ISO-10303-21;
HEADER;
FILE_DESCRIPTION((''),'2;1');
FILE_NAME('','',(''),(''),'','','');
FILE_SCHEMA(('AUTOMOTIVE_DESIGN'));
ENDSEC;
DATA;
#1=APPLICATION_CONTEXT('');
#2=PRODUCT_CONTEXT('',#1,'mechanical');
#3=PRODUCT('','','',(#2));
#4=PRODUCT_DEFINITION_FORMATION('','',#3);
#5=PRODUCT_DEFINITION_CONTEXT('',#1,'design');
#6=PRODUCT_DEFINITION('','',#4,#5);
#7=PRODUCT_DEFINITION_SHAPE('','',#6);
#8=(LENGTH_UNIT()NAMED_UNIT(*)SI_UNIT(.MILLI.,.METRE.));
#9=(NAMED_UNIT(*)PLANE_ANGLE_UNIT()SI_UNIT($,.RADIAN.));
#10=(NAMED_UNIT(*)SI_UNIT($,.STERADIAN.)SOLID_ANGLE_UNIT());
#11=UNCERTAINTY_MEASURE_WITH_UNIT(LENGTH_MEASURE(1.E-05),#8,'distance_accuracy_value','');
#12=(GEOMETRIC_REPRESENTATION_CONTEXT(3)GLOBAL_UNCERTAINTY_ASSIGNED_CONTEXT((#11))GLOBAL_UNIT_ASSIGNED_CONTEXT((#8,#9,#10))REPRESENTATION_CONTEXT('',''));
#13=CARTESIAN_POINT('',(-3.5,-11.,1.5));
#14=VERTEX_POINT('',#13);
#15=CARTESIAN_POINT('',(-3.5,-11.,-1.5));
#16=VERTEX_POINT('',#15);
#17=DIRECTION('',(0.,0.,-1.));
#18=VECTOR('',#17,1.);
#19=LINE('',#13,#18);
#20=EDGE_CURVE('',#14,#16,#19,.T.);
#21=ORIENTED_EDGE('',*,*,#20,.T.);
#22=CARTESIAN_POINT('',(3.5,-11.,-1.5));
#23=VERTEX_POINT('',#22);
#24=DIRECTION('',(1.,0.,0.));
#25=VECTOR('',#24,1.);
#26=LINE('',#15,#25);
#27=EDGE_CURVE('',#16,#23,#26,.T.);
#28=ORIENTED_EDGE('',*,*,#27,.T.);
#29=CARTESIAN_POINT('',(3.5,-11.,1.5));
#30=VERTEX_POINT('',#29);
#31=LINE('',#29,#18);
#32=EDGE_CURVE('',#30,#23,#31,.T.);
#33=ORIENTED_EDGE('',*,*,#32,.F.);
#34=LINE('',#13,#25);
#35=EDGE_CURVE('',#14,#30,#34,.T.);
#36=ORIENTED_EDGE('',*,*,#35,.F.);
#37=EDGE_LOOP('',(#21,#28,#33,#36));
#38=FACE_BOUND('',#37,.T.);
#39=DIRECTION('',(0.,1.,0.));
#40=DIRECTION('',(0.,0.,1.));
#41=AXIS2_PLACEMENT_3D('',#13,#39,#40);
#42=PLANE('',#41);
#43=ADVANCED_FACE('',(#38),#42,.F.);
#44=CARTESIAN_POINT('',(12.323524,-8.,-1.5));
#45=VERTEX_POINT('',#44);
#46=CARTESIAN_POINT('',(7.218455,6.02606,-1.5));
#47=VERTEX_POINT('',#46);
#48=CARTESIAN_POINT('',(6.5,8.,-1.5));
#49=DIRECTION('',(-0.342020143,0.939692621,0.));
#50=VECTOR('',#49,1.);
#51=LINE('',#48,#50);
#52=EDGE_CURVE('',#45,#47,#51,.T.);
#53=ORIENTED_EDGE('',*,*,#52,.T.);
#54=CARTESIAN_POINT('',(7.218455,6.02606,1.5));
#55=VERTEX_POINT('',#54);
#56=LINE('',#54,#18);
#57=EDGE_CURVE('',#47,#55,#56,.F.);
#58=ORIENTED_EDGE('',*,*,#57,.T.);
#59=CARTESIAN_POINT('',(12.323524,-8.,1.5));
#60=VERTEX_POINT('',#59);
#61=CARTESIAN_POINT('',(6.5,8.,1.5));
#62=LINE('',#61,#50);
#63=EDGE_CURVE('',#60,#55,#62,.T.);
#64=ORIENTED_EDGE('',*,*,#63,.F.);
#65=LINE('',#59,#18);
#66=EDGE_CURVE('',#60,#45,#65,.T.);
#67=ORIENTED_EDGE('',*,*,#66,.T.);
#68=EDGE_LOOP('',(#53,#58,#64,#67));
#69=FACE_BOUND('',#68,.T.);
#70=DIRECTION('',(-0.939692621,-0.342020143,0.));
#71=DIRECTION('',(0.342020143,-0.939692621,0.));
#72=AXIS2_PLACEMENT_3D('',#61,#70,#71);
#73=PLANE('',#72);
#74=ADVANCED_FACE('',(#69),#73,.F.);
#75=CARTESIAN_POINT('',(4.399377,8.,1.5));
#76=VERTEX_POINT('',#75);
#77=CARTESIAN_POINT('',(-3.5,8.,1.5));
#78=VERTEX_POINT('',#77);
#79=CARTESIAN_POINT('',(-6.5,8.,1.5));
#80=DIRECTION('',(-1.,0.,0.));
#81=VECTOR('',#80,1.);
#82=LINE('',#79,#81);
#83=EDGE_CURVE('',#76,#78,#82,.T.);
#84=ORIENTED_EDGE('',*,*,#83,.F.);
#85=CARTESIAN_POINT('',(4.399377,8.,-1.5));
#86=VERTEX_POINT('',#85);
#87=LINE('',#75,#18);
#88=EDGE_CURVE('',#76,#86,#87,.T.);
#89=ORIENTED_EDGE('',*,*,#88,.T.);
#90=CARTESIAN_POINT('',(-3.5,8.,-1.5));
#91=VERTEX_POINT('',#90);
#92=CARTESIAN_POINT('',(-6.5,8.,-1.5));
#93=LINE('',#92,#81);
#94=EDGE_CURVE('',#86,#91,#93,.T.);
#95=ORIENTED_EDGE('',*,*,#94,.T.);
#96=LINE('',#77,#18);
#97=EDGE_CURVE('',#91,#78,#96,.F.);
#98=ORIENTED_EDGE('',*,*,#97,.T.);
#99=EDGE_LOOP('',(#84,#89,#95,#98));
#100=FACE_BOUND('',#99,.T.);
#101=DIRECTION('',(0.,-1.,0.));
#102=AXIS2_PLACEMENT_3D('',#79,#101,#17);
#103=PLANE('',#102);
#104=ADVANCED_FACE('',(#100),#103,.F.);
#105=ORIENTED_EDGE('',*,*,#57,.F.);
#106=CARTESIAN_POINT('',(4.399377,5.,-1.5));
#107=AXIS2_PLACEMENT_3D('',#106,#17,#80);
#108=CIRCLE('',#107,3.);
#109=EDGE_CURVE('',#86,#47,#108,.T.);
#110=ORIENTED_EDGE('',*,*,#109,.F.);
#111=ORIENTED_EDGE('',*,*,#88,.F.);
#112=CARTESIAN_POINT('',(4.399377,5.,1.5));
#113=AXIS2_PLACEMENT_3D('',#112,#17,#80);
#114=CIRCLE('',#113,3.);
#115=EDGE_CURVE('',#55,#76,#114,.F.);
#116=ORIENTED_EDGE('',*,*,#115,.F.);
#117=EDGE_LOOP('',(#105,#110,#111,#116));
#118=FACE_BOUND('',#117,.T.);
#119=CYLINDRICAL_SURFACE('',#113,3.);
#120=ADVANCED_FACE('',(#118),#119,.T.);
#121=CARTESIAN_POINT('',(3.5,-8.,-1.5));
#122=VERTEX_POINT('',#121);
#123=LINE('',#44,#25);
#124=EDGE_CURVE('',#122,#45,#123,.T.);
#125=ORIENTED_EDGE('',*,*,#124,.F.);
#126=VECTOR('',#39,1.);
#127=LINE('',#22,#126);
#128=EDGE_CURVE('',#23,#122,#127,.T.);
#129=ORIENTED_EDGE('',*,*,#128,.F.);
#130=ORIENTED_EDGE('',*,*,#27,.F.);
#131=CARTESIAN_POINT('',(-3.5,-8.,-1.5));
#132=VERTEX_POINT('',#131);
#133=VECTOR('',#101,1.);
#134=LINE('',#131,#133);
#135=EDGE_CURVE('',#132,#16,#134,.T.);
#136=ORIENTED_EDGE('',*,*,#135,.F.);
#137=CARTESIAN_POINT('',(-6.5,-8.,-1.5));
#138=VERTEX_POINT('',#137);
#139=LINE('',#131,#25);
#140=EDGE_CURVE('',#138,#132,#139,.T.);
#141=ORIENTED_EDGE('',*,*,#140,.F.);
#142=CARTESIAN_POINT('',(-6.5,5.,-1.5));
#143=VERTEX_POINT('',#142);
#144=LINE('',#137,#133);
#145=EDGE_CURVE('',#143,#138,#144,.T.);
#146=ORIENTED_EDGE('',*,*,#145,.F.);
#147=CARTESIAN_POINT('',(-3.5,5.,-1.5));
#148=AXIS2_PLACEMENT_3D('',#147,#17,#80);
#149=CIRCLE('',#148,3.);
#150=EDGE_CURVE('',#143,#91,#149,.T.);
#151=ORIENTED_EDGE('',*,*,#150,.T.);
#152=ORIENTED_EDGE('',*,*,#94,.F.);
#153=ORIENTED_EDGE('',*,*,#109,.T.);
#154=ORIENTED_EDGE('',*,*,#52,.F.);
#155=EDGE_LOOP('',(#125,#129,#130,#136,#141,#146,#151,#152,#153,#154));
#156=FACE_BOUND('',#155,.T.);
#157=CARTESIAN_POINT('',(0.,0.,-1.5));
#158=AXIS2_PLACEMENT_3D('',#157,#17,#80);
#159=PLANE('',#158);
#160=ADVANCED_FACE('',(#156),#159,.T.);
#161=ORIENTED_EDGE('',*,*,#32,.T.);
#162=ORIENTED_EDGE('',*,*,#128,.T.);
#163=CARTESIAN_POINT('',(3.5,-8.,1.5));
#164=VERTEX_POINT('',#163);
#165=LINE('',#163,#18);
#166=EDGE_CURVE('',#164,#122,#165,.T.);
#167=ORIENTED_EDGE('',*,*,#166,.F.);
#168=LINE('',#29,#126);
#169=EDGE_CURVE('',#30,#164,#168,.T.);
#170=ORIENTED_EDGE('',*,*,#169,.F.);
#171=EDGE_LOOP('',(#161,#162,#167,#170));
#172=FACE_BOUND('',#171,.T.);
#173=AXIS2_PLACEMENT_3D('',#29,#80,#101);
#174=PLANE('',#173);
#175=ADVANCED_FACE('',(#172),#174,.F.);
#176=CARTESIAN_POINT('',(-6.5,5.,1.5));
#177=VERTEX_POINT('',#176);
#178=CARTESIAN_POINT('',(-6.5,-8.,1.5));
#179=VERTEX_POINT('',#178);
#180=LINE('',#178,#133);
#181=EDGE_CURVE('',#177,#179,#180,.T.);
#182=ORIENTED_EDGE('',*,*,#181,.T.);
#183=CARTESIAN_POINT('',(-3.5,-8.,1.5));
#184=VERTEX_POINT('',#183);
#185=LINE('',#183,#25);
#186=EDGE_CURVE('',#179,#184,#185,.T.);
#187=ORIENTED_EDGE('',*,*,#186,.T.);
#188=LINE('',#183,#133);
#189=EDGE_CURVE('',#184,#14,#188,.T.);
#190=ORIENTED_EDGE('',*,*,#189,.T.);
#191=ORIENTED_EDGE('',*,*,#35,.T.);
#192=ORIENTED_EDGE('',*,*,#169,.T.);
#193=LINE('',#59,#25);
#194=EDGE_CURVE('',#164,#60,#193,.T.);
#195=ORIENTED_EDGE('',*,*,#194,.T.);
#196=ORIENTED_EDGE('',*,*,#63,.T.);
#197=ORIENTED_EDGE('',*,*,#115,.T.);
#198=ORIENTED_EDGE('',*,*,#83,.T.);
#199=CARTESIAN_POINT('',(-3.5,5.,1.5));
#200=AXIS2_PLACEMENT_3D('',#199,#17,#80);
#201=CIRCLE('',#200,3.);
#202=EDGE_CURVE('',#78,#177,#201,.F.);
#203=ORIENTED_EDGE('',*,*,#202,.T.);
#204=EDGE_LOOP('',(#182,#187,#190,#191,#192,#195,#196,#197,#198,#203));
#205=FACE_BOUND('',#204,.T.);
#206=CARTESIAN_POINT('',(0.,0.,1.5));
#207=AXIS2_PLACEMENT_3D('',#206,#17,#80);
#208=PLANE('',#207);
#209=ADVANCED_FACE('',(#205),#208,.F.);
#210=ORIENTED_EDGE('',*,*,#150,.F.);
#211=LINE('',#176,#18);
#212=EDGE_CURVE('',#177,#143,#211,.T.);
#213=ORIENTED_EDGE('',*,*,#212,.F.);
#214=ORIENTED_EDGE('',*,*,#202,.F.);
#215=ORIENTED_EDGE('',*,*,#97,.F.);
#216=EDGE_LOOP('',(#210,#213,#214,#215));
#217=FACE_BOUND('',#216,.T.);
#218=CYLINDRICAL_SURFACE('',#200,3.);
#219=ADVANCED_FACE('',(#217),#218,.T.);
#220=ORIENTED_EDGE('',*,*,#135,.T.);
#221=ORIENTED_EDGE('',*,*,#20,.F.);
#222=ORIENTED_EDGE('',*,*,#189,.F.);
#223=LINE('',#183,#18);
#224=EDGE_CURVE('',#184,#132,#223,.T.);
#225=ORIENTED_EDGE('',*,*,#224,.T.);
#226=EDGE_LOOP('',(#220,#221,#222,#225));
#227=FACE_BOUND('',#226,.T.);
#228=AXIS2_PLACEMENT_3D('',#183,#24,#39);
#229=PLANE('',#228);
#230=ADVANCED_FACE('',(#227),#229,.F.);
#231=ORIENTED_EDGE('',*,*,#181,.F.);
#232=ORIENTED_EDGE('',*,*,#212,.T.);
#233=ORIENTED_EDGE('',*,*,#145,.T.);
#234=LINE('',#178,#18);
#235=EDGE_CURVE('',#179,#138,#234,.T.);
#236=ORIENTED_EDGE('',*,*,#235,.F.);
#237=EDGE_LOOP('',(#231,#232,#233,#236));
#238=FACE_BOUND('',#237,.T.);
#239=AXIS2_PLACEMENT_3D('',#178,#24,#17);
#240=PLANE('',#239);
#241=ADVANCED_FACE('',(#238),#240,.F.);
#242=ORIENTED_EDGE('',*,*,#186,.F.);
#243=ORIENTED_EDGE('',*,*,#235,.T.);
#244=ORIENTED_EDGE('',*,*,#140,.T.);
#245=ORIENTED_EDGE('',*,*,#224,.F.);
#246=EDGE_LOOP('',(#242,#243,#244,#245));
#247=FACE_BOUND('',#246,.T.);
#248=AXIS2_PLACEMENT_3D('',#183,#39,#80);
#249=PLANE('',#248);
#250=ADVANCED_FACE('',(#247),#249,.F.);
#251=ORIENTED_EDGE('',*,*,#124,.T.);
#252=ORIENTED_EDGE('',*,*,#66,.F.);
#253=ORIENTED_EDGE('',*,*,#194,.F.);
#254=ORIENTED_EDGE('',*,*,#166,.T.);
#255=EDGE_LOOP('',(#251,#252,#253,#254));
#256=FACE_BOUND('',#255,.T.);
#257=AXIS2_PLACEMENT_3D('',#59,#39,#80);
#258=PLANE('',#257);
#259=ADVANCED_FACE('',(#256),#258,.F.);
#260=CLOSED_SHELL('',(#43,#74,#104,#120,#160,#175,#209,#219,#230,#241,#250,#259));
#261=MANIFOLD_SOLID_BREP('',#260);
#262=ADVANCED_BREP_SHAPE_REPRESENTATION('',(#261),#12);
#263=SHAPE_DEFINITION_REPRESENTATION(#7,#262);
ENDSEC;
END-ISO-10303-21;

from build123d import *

# Parameters (mm, degrees)
RESSALTO_EXTRUS_O1_DEPTH = 1.5
FILETE1_R                = 3


with BuildPart() as part:
    # Esboço1 → Ressalto-extrusão1 (new, symmetric)
    with BuildSketch(Plane.XY):
        Polygon((-6.5, -8), (-6.5, 8), (6.5, 8), (12.323523748, -8), (3.5, -8), (3.5, -11), (-3.5, -11), (-3.5, -8), align=None)
    extrude(amount=RESSALTO_EXTRUS_O1_DEPTH, both=True)

    # Filete1
    filete1_edges = [part.edges().sort_by_distance(p)[0] for p in [
        (-6.5, 8, 0),
        (6.5, 8, 0),
    ]]
    fillet(filete1_edges, radius=FILETE1_R)


solid = part.part
